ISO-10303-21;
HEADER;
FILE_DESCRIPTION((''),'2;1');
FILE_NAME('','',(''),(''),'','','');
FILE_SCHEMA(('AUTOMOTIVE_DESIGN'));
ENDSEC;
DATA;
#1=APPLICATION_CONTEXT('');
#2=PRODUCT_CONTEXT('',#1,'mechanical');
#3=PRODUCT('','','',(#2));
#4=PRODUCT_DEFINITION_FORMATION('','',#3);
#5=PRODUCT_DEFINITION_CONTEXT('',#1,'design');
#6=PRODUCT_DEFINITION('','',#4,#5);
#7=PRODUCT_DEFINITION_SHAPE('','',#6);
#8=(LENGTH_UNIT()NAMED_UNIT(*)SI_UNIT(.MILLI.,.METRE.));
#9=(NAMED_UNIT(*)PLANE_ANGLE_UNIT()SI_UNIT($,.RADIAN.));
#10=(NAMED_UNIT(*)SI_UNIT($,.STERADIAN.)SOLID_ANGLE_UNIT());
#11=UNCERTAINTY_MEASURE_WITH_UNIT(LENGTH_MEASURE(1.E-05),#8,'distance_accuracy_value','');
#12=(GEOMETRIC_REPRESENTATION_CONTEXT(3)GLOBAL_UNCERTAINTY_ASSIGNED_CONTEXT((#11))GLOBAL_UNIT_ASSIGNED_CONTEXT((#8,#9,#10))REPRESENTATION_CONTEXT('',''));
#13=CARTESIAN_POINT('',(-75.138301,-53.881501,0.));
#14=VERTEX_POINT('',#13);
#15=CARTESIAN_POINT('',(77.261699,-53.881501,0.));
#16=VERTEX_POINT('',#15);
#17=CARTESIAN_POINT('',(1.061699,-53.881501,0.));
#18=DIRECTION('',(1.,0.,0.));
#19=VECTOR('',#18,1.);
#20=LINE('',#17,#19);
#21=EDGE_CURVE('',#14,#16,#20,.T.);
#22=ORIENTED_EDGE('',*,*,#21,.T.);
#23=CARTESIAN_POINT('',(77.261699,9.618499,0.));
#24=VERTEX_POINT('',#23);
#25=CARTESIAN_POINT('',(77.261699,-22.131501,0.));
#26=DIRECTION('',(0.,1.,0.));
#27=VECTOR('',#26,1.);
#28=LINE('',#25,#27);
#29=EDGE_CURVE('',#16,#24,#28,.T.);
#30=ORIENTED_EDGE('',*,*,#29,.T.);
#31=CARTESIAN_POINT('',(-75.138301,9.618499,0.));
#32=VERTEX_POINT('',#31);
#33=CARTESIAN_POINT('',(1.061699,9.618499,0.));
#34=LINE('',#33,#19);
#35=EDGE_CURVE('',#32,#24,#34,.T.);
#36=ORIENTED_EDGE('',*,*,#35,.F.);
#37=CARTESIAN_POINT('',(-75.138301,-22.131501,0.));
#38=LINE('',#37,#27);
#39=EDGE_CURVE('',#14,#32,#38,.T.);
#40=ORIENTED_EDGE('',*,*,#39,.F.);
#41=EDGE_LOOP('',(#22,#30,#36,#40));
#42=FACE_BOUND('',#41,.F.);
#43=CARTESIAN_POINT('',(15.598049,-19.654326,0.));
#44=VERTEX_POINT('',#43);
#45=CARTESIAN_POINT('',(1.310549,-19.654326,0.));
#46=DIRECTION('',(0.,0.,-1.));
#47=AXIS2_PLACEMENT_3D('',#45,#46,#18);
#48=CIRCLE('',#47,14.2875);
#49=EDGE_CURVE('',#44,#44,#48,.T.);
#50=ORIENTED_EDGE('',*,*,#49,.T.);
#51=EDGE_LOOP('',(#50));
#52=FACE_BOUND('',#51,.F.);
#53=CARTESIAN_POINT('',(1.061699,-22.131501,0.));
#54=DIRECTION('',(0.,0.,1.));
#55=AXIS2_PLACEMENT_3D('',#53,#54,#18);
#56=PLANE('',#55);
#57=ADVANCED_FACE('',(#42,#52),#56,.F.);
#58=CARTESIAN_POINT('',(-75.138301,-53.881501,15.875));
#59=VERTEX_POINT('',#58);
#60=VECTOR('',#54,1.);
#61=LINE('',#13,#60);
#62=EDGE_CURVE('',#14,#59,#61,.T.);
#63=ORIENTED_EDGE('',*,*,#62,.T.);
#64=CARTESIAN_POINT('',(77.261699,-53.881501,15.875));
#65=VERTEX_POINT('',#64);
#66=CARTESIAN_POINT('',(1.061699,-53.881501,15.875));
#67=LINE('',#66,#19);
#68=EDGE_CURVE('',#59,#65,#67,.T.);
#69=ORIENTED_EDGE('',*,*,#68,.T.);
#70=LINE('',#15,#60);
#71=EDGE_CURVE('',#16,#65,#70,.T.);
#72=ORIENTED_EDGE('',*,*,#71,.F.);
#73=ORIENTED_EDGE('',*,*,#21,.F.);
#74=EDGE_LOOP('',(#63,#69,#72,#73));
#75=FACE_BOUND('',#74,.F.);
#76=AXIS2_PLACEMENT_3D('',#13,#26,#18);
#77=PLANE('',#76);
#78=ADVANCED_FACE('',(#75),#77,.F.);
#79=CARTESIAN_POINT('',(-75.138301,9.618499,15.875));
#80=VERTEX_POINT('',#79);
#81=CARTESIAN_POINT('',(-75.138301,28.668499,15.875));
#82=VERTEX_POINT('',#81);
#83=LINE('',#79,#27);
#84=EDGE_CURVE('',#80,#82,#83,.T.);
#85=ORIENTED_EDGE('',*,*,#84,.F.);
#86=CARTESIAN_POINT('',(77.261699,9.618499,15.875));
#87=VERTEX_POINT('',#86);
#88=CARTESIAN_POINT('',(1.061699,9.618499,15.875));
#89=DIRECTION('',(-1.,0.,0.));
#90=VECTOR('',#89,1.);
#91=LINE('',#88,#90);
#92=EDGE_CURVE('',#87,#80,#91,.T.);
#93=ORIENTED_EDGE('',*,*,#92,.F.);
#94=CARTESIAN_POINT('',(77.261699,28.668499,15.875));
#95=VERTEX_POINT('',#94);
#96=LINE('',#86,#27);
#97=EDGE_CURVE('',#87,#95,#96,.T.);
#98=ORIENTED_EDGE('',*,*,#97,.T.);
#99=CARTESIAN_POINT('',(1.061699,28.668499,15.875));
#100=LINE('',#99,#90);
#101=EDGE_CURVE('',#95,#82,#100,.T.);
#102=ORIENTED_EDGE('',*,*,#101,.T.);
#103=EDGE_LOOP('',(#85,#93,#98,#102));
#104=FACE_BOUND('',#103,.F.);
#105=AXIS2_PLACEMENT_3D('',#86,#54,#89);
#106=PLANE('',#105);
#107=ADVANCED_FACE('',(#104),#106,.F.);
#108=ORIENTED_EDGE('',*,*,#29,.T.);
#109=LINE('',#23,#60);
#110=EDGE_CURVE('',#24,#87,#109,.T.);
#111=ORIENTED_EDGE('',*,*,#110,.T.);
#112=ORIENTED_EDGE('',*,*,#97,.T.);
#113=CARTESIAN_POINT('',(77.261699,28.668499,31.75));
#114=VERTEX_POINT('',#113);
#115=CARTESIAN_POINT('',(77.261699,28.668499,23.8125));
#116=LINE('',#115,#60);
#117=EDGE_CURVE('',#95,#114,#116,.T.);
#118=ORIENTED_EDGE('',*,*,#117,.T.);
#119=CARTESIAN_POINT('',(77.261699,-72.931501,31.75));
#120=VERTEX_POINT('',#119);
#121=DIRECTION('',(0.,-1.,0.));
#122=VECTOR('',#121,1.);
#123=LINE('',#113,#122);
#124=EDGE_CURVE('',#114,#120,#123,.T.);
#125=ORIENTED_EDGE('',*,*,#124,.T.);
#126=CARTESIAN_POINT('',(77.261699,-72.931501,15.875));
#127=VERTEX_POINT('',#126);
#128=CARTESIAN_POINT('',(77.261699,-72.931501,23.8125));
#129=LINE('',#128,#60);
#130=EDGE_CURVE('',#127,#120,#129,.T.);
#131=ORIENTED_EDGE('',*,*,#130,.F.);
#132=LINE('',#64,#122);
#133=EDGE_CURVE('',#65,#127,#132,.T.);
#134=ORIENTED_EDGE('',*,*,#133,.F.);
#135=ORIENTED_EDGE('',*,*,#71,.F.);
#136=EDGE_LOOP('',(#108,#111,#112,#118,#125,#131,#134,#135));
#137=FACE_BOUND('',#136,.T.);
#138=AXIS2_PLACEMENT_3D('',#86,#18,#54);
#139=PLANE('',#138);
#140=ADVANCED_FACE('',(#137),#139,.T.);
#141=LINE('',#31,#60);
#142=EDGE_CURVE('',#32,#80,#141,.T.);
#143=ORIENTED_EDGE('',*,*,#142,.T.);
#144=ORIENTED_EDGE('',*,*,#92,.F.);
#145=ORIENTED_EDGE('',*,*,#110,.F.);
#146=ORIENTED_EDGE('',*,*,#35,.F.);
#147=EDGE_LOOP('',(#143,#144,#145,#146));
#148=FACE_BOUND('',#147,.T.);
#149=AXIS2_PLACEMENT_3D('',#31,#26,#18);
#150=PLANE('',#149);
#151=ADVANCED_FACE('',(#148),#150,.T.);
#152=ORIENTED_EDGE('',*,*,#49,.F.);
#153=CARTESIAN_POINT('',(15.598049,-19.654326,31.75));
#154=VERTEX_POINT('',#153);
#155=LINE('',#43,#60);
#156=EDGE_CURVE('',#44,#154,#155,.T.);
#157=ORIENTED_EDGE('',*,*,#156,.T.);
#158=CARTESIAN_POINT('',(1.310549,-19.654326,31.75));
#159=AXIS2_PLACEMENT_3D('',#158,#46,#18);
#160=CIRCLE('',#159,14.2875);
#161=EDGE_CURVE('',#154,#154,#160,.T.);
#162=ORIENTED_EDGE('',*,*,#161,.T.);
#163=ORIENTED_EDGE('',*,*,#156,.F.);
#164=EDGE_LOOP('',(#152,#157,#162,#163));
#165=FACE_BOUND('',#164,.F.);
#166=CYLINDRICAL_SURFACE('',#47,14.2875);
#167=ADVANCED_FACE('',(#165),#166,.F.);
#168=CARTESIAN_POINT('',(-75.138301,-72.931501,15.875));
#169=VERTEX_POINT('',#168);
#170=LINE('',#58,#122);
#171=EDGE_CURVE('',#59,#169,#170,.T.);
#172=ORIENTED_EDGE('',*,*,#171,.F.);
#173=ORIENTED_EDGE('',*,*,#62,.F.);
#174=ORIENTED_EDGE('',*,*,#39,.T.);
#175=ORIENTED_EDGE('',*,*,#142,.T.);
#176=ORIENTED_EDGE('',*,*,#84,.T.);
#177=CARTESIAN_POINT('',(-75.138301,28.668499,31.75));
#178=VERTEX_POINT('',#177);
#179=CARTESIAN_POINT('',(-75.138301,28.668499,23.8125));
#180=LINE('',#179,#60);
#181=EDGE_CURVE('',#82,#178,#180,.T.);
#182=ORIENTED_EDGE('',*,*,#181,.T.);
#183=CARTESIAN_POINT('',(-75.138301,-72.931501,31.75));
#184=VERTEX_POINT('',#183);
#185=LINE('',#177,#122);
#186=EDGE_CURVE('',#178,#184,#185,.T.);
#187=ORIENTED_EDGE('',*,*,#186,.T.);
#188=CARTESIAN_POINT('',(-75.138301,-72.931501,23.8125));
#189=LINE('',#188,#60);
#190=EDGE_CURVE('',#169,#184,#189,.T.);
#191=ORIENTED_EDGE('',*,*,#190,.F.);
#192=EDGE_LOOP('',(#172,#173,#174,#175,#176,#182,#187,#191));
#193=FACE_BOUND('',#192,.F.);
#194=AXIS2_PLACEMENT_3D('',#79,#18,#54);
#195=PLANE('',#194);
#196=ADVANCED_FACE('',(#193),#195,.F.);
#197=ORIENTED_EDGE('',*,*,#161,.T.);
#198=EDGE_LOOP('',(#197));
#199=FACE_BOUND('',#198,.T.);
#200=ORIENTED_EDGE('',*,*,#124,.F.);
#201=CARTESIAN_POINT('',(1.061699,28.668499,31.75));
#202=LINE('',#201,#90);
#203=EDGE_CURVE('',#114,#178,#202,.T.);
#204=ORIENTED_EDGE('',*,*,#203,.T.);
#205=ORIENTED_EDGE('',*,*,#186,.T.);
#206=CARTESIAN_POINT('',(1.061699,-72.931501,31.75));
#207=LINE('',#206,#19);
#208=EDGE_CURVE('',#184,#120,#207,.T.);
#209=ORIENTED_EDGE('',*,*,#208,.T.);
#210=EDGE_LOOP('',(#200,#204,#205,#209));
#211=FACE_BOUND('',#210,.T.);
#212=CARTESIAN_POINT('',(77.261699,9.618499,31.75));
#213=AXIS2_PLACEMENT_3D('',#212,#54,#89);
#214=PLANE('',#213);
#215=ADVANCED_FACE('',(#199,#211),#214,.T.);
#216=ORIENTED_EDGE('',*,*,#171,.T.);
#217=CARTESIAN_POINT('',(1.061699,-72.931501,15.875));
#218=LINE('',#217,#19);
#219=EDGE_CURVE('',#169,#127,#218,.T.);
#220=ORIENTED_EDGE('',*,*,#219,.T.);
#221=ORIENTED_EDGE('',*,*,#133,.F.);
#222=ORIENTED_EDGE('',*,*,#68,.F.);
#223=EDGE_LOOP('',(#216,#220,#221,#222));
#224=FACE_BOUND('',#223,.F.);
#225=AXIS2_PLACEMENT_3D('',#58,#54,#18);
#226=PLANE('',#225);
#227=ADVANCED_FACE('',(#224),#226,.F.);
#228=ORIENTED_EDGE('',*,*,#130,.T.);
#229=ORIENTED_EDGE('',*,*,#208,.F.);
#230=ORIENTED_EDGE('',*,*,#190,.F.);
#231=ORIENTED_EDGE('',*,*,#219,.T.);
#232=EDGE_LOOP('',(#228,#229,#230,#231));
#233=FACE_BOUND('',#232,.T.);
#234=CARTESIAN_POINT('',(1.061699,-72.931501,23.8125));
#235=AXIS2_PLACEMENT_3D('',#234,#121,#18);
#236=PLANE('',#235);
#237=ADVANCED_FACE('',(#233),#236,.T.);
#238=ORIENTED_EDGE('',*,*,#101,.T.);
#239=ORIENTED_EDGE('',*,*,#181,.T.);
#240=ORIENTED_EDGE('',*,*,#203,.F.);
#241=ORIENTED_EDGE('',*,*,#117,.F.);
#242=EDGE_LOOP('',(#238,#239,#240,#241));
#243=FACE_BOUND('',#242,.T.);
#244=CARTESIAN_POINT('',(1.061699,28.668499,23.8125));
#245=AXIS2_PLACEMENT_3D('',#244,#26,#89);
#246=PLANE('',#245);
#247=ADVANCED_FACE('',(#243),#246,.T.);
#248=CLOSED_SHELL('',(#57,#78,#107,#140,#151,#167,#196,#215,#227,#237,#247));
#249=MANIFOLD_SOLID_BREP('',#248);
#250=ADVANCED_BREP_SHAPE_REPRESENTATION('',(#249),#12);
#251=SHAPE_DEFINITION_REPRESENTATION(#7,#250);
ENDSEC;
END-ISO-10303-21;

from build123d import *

# Parameters (mm, degrees)
F0_W     = 152.4
F0_H     = 63.5
F1_DEPTH = 31.75
F3_W     = 152.4
F3_H     = 15.875
F4_DEPTH = 19.05
F2_W     = 152.4
F2_H     = 15.875
F5_DEPTH = 19.05
F7_R     = 14.2875
F8_DEPTH = 31.751


with BuildPart() as f1:
    # F0 (on Top) → F1 (new body)
    with BuildSketch(Plane.XY):
        with Locations((1.061699, -22.131501)):
            Rectangle(F0_W, F0_H)
    extrude(amount=F1_DEPTH)

    # F3 (on face) → F4 (join)
    with BuildSketch(Plane.XZ.offset(53.881501)):
        with Locations((1.061699, 23.8125)):
            Rectangle(F3_W, F3_H)
    extrude(amount=F4_DEPTH)

    # F2 (on face) → F5 (join)
    with BuildSketch(Plane(origin=(0, 9.618499, 0), x_dir=(-1, 0, 0), z_dir=(0, 1, 0))):
        with Locations((-1.061699, 23.8125)):
            Rectangle(F2_W, F2_H)
    extrude(amount=F5_DEPTH)

    # F7 (on face) → F8 (cut, through all)
    with BuildSketch(Plane(origin=(0, 0, 0), x_dir=(1, 0, 0), z_dir=(0, 0, -1))):
        with Locations((1.310549, 19.654326)):
            Circle(F7_R)
    extrude(amount=-F8_DEPTH, mode=Mode.SUBTRACT)


solid = f1.part
